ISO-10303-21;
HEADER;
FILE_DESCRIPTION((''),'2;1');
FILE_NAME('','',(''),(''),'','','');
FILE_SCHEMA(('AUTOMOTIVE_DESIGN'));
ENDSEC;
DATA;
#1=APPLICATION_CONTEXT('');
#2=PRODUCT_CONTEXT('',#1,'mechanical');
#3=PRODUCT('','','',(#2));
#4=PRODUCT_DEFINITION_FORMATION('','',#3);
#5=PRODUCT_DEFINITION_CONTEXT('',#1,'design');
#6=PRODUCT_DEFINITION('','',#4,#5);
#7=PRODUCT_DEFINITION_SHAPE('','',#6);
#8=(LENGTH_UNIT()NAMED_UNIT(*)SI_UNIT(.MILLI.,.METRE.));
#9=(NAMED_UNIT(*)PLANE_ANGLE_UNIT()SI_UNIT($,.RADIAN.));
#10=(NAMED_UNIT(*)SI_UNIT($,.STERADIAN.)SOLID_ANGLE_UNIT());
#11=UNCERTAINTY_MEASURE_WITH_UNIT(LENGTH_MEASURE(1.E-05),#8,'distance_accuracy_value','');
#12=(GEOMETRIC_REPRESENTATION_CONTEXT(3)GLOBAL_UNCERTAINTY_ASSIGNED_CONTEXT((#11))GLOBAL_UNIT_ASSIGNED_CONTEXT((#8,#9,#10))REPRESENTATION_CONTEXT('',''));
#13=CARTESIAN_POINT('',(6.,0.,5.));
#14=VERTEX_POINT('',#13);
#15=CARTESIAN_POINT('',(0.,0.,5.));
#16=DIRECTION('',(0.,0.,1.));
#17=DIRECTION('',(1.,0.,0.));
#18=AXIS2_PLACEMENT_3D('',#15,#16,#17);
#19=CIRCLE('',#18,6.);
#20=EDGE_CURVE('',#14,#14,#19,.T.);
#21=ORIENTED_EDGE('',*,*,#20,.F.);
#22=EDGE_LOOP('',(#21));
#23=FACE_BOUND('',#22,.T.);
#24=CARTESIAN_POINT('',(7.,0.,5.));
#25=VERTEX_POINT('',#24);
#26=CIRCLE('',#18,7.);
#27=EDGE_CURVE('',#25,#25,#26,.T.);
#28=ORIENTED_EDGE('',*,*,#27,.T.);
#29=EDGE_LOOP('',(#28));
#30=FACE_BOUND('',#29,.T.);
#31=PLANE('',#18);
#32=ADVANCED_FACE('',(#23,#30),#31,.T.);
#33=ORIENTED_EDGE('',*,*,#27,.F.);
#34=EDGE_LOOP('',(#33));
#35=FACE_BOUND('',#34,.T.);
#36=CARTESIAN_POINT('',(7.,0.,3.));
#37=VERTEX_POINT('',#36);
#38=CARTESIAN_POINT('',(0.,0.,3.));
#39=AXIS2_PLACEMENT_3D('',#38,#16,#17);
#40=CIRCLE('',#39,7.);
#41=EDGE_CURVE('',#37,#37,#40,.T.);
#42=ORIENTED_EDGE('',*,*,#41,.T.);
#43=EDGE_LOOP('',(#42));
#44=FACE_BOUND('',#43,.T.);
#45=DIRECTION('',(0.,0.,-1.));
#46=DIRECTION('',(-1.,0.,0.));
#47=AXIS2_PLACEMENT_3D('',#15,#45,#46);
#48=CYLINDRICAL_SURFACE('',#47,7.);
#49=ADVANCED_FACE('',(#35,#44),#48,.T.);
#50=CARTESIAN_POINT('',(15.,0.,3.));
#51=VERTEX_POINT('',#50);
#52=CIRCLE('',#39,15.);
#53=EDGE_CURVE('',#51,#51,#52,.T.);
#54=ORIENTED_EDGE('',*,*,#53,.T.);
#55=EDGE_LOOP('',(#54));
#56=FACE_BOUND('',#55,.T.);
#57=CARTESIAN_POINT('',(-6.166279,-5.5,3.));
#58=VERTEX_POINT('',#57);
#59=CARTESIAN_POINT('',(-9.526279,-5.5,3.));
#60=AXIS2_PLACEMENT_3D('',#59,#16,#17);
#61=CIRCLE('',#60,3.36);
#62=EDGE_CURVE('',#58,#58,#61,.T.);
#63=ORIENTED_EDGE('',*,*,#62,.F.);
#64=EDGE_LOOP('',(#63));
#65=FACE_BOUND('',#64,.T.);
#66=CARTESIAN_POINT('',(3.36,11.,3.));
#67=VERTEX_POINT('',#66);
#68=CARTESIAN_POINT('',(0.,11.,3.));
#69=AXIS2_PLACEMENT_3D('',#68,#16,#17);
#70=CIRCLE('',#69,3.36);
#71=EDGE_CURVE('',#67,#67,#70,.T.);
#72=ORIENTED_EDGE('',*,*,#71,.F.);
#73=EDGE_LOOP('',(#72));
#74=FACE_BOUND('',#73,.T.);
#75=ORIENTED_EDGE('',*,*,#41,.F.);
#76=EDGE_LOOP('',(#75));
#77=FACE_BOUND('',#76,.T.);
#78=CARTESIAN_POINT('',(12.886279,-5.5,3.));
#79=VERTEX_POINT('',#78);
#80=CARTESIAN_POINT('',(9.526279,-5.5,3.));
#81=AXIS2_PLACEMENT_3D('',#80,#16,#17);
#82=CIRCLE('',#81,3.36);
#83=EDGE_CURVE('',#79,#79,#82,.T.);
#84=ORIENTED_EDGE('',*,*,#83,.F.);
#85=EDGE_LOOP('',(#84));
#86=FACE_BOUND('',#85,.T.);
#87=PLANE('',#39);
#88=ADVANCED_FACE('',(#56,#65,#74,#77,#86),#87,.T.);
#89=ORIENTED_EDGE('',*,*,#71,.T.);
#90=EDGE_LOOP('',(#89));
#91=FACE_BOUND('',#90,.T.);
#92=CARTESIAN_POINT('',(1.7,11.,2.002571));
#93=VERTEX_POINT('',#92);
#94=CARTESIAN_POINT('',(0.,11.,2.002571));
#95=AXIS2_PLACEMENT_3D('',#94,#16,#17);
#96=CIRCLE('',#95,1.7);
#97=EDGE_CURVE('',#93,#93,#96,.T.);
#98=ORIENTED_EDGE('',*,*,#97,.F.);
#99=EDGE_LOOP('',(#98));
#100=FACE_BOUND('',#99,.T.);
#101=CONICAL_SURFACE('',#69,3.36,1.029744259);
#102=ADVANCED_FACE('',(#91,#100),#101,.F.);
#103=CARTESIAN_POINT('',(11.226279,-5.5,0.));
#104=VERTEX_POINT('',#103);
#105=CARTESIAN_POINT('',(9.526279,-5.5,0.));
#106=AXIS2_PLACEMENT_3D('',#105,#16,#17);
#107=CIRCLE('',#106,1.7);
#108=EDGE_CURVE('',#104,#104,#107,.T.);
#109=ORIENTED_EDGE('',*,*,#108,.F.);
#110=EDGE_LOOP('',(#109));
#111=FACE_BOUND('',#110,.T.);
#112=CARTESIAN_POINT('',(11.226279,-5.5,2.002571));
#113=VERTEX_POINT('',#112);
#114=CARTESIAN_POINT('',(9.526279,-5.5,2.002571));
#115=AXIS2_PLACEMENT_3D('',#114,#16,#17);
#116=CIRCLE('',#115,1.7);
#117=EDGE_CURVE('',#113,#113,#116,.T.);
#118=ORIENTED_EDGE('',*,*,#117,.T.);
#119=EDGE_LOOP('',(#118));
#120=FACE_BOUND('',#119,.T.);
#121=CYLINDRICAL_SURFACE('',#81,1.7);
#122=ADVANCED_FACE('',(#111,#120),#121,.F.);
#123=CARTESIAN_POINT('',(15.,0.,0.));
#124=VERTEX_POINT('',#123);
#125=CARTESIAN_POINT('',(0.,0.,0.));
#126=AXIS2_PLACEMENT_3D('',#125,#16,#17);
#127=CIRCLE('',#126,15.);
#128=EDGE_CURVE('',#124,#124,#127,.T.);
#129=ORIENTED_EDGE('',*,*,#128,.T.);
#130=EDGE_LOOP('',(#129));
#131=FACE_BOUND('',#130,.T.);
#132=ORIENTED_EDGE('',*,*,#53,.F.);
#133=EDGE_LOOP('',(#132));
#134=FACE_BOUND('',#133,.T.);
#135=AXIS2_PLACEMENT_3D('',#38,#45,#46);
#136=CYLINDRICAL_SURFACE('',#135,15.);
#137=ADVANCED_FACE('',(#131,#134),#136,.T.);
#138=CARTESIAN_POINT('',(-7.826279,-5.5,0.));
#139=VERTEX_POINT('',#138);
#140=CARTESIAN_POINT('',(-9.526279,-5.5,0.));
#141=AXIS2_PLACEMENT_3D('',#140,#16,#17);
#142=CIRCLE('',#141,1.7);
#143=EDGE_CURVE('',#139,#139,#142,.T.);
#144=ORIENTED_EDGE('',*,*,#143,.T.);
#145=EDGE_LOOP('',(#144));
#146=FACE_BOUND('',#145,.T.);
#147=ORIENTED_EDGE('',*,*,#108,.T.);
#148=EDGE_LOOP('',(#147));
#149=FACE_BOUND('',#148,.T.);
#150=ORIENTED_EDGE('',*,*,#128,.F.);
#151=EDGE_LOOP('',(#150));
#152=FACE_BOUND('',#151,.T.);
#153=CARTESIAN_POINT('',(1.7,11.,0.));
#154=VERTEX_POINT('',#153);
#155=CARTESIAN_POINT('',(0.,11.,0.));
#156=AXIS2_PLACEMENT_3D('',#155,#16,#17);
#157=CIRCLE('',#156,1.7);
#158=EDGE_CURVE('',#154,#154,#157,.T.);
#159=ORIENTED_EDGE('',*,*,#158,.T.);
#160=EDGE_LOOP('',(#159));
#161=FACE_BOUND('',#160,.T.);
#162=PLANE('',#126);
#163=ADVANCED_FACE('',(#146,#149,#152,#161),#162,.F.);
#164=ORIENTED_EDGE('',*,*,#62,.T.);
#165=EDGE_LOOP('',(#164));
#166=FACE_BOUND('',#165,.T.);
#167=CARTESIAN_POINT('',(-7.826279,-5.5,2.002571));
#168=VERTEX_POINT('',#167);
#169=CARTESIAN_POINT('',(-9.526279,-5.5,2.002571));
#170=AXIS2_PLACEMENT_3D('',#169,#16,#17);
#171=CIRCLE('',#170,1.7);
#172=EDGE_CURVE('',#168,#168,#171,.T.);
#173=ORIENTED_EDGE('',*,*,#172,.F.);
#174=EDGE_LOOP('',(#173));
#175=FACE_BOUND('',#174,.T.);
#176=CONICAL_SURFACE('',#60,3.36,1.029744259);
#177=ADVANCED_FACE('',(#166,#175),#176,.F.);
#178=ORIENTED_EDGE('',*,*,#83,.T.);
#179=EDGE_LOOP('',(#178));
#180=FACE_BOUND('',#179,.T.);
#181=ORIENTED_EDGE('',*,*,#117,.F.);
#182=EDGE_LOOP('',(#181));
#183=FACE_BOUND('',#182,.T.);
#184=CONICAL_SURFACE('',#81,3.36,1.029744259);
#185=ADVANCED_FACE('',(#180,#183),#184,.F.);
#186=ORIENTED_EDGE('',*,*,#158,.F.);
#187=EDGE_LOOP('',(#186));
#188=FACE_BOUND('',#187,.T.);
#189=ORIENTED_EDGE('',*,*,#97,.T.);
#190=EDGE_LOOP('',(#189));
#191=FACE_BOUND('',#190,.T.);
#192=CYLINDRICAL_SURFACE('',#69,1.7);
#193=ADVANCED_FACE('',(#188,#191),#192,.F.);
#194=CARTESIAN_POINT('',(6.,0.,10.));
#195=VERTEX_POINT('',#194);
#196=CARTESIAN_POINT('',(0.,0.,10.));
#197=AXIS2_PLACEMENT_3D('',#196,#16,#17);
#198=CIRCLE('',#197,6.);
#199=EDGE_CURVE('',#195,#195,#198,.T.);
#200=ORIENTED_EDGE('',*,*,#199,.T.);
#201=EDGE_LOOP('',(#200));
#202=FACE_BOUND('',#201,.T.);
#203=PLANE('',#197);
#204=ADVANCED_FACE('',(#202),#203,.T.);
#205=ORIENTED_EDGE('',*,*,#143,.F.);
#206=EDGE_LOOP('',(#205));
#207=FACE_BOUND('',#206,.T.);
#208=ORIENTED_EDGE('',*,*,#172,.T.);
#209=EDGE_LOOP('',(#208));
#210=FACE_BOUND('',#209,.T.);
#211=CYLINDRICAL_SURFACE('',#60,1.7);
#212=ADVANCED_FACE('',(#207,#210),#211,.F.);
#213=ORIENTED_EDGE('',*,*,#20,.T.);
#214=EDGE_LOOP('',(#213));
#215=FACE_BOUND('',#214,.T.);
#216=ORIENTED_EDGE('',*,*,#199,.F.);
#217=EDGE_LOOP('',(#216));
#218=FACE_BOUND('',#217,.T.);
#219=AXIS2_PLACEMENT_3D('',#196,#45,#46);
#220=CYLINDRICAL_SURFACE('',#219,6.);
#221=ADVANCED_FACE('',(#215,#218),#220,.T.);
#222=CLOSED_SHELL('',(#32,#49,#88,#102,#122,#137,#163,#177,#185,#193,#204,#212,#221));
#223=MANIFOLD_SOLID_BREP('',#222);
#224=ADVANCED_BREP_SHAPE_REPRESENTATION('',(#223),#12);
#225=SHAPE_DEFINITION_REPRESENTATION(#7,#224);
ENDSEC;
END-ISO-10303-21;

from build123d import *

# Parameters (mm, degrees)
SKETCH_1_R                   = 15
EXTRUDE_1_DEPTH              = 3
SKETCH_2_R                   = 6
EXTRUDE_2_DEPTH              = 7
HOLE_WIZARD_M3_1_D           = 3.4
HOLE_WIZARD_M3_1_DEPTH       = 14.54
HOLE_WIZARD_M3_1_CSINK_D     = 6.72
HOLE_WIZARD_M3_1_CSINK_ANGLE = 118
HOLE_WIZARD_M3_1_TIP         = 1.021463052
SKETCH_6_R                   = 7
SKETCH_6_R_2                 = 6
EXTRUDE_3_DEPTH              = 2


with BuildPart() as part:
    # 草图1 → 凸台-拉伸1 (new body)
    with BuildSketch(Plane.XY):
        Circle(SKETCH_1_R)
    extrude(amount=EXTRUDE_1_DEPTH)

    # 草图2 → 凸台-拉伸2 (add)
    with BuildSketch(Plane.XY.offset(3)):
        Circle(SKETCH_2_R)
    extrude(amount=EXTRUDE_2_DEPTH)

    # M3 六角凹锥坑螺钉的锥形沉头孔1
    with Locations(Plane(origin=(0, 11, 3), x_dir=(1, 0, 0), z_dir=(0, 0, 1))):
        with Locations((0, 0), (-9.526279442, -16.5), (9.526279442, -16.5)):
            CounterSinkHole(HOLE_WIZARD_M3_1_D / 2, HOLE_WIZARD_M3_1_CSINK_D / 2, depth=HOLE_WIZARD_M3_1_DEPTH, counter_sink_angle=HOLE_WIZARD_M3_1_CSINK_ANGLE)
            with Locations((0, 0, -(HOLE_WIZARD_M3_1_DEPTH + HOLE_WIZARD_M3_1_TIP / 2))):  # 118° drill point
                Cone(0, HOLE_WIZARD_M3_1_D / 2, HOLE_WIZARD_M3_1_TIP, mode=Mode.SUBTRACT)

    # 草图6 → 凸台-拉伸3 (add)
    with BuildSketch(Plane.XY.offset(3)):
        Circle(SKETCH_6_R)
        Circle(SKETCH_6_R_2, mode=Mode.SUBTRACT)
    extrude(amount=EXTRUDE_3_DEPTH)


solid = part.part
